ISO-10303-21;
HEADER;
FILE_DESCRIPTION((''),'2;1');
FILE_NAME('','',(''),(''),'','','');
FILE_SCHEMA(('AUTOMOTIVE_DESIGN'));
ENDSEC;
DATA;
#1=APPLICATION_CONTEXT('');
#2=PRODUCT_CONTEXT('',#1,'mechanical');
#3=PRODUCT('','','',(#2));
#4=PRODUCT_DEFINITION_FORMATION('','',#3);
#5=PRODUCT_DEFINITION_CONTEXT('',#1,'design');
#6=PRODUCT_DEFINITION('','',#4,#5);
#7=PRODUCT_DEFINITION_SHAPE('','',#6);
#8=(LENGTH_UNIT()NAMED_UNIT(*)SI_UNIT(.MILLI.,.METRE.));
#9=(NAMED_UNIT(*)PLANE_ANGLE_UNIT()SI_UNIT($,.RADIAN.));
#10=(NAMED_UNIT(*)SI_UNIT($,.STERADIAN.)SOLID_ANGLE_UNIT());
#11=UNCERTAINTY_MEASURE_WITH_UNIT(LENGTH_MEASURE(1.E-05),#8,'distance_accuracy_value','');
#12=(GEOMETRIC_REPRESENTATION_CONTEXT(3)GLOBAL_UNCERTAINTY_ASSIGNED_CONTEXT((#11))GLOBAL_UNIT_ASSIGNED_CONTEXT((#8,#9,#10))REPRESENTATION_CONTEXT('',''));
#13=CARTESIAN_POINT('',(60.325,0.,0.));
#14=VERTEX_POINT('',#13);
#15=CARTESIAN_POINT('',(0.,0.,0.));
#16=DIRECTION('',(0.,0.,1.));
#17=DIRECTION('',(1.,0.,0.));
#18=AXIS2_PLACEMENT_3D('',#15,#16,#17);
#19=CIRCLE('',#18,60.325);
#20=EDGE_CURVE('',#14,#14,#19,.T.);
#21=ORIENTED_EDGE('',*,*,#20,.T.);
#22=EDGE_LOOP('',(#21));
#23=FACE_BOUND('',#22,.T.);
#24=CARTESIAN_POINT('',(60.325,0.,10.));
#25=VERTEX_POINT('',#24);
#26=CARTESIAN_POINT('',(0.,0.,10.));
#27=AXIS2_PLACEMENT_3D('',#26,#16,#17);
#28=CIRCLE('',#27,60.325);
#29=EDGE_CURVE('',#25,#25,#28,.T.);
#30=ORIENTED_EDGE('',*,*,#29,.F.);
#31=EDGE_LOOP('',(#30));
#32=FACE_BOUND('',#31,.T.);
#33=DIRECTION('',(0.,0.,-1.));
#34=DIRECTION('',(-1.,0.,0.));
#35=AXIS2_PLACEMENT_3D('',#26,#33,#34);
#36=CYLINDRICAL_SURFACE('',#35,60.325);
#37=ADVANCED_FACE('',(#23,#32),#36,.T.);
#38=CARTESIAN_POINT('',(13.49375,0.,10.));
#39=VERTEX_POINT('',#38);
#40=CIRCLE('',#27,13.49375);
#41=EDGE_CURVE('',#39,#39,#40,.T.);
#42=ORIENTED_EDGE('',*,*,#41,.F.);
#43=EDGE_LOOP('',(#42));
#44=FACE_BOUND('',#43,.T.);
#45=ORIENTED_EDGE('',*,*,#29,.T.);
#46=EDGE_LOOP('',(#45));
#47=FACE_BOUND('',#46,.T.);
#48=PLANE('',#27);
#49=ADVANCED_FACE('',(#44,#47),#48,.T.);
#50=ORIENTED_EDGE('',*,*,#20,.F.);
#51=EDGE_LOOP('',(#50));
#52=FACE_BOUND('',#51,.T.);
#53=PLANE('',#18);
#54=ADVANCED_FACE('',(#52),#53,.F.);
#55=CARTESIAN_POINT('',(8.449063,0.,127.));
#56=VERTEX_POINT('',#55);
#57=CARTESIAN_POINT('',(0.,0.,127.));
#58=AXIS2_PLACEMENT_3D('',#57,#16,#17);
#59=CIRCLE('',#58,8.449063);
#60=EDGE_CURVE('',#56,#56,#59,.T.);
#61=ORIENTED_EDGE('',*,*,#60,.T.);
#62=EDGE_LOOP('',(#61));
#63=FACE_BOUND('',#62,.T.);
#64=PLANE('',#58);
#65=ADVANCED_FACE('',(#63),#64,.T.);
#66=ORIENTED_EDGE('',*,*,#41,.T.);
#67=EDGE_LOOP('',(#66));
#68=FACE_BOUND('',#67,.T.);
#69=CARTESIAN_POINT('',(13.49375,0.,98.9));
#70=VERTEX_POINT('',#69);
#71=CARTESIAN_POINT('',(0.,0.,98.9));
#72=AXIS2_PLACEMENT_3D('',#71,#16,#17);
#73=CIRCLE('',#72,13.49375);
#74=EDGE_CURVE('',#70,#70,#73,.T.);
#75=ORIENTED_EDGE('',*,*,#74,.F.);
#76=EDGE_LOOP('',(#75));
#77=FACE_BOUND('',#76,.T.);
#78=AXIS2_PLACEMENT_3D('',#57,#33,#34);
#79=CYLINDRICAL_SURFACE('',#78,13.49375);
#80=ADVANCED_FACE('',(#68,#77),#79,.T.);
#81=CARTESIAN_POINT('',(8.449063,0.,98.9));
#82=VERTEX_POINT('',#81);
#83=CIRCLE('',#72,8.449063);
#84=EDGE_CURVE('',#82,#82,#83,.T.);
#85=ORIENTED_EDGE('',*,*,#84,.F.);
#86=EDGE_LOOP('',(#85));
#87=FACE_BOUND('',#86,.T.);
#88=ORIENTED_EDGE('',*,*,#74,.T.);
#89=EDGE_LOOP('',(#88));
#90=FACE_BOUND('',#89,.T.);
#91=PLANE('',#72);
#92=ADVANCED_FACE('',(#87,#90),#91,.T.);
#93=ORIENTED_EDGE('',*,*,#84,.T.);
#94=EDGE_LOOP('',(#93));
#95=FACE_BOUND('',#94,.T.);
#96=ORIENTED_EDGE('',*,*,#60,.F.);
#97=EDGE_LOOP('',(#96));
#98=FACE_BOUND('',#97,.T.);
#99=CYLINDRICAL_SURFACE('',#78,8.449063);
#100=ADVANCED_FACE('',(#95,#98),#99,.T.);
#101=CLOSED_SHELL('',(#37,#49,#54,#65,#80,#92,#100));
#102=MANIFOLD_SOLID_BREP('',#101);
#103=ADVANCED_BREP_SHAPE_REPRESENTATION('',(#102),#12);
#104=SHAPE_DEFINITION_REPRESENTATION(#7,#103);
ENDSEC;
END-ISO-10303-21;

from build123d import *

# Parameters (mm, degrees)
SKETCH1_R           = 60.325
BOSS_EXTRUDE1_DEPTH = 10
SKETCH2_R           = 13.49375
BOSS_EXTRUDE2_DEPTH = 117
CUT_EXTRUDE1_START  = -28.1
SKETCH3_R           = 13.49375
CUT_EXTRUDE1_DEPTH  = 28.1
SKETCH4_R           = 8.449063039
BOSS_EXTRUDE3_DEPTH = 28.1


with BuildPart() as part:
    # Sketch1 → Boss-Extrude1 (new body)
    with BuildSketch(Plane.XY):
        Circle(SKETCH1_R)
    extrude(amount=BOSS_EXTRUDE1_DEPTH)

    # Sketch2 → Boss-Extrude2 (add)
    with BuildSketch(Plane.XY.offset(10)):
        Circle(SKETCH2_R)
    extrude(amount=BOSS_EXTRUDE2_DEPTH)

    # Sketch3 → Cut-Extrude1 (cut)
    with BuildSketch(Plane.XY.offset(127).offset(CUT_EXTRUDE1_START)):
        Circle(SKETCH3_R)
    extrude(amount=CUT_EXTRUDE1_DEPTH, mode=Mode.SUBTRACT)

    # Sketch4 → Boss-Extrude3 (add)
    with BuildSketch(Plane.XY.offset(98.9)):
        Circle(SKETCH4_R)
    extrude(amount=BOSS_EXTRUDE3_DEPTH)


solid = part.part
